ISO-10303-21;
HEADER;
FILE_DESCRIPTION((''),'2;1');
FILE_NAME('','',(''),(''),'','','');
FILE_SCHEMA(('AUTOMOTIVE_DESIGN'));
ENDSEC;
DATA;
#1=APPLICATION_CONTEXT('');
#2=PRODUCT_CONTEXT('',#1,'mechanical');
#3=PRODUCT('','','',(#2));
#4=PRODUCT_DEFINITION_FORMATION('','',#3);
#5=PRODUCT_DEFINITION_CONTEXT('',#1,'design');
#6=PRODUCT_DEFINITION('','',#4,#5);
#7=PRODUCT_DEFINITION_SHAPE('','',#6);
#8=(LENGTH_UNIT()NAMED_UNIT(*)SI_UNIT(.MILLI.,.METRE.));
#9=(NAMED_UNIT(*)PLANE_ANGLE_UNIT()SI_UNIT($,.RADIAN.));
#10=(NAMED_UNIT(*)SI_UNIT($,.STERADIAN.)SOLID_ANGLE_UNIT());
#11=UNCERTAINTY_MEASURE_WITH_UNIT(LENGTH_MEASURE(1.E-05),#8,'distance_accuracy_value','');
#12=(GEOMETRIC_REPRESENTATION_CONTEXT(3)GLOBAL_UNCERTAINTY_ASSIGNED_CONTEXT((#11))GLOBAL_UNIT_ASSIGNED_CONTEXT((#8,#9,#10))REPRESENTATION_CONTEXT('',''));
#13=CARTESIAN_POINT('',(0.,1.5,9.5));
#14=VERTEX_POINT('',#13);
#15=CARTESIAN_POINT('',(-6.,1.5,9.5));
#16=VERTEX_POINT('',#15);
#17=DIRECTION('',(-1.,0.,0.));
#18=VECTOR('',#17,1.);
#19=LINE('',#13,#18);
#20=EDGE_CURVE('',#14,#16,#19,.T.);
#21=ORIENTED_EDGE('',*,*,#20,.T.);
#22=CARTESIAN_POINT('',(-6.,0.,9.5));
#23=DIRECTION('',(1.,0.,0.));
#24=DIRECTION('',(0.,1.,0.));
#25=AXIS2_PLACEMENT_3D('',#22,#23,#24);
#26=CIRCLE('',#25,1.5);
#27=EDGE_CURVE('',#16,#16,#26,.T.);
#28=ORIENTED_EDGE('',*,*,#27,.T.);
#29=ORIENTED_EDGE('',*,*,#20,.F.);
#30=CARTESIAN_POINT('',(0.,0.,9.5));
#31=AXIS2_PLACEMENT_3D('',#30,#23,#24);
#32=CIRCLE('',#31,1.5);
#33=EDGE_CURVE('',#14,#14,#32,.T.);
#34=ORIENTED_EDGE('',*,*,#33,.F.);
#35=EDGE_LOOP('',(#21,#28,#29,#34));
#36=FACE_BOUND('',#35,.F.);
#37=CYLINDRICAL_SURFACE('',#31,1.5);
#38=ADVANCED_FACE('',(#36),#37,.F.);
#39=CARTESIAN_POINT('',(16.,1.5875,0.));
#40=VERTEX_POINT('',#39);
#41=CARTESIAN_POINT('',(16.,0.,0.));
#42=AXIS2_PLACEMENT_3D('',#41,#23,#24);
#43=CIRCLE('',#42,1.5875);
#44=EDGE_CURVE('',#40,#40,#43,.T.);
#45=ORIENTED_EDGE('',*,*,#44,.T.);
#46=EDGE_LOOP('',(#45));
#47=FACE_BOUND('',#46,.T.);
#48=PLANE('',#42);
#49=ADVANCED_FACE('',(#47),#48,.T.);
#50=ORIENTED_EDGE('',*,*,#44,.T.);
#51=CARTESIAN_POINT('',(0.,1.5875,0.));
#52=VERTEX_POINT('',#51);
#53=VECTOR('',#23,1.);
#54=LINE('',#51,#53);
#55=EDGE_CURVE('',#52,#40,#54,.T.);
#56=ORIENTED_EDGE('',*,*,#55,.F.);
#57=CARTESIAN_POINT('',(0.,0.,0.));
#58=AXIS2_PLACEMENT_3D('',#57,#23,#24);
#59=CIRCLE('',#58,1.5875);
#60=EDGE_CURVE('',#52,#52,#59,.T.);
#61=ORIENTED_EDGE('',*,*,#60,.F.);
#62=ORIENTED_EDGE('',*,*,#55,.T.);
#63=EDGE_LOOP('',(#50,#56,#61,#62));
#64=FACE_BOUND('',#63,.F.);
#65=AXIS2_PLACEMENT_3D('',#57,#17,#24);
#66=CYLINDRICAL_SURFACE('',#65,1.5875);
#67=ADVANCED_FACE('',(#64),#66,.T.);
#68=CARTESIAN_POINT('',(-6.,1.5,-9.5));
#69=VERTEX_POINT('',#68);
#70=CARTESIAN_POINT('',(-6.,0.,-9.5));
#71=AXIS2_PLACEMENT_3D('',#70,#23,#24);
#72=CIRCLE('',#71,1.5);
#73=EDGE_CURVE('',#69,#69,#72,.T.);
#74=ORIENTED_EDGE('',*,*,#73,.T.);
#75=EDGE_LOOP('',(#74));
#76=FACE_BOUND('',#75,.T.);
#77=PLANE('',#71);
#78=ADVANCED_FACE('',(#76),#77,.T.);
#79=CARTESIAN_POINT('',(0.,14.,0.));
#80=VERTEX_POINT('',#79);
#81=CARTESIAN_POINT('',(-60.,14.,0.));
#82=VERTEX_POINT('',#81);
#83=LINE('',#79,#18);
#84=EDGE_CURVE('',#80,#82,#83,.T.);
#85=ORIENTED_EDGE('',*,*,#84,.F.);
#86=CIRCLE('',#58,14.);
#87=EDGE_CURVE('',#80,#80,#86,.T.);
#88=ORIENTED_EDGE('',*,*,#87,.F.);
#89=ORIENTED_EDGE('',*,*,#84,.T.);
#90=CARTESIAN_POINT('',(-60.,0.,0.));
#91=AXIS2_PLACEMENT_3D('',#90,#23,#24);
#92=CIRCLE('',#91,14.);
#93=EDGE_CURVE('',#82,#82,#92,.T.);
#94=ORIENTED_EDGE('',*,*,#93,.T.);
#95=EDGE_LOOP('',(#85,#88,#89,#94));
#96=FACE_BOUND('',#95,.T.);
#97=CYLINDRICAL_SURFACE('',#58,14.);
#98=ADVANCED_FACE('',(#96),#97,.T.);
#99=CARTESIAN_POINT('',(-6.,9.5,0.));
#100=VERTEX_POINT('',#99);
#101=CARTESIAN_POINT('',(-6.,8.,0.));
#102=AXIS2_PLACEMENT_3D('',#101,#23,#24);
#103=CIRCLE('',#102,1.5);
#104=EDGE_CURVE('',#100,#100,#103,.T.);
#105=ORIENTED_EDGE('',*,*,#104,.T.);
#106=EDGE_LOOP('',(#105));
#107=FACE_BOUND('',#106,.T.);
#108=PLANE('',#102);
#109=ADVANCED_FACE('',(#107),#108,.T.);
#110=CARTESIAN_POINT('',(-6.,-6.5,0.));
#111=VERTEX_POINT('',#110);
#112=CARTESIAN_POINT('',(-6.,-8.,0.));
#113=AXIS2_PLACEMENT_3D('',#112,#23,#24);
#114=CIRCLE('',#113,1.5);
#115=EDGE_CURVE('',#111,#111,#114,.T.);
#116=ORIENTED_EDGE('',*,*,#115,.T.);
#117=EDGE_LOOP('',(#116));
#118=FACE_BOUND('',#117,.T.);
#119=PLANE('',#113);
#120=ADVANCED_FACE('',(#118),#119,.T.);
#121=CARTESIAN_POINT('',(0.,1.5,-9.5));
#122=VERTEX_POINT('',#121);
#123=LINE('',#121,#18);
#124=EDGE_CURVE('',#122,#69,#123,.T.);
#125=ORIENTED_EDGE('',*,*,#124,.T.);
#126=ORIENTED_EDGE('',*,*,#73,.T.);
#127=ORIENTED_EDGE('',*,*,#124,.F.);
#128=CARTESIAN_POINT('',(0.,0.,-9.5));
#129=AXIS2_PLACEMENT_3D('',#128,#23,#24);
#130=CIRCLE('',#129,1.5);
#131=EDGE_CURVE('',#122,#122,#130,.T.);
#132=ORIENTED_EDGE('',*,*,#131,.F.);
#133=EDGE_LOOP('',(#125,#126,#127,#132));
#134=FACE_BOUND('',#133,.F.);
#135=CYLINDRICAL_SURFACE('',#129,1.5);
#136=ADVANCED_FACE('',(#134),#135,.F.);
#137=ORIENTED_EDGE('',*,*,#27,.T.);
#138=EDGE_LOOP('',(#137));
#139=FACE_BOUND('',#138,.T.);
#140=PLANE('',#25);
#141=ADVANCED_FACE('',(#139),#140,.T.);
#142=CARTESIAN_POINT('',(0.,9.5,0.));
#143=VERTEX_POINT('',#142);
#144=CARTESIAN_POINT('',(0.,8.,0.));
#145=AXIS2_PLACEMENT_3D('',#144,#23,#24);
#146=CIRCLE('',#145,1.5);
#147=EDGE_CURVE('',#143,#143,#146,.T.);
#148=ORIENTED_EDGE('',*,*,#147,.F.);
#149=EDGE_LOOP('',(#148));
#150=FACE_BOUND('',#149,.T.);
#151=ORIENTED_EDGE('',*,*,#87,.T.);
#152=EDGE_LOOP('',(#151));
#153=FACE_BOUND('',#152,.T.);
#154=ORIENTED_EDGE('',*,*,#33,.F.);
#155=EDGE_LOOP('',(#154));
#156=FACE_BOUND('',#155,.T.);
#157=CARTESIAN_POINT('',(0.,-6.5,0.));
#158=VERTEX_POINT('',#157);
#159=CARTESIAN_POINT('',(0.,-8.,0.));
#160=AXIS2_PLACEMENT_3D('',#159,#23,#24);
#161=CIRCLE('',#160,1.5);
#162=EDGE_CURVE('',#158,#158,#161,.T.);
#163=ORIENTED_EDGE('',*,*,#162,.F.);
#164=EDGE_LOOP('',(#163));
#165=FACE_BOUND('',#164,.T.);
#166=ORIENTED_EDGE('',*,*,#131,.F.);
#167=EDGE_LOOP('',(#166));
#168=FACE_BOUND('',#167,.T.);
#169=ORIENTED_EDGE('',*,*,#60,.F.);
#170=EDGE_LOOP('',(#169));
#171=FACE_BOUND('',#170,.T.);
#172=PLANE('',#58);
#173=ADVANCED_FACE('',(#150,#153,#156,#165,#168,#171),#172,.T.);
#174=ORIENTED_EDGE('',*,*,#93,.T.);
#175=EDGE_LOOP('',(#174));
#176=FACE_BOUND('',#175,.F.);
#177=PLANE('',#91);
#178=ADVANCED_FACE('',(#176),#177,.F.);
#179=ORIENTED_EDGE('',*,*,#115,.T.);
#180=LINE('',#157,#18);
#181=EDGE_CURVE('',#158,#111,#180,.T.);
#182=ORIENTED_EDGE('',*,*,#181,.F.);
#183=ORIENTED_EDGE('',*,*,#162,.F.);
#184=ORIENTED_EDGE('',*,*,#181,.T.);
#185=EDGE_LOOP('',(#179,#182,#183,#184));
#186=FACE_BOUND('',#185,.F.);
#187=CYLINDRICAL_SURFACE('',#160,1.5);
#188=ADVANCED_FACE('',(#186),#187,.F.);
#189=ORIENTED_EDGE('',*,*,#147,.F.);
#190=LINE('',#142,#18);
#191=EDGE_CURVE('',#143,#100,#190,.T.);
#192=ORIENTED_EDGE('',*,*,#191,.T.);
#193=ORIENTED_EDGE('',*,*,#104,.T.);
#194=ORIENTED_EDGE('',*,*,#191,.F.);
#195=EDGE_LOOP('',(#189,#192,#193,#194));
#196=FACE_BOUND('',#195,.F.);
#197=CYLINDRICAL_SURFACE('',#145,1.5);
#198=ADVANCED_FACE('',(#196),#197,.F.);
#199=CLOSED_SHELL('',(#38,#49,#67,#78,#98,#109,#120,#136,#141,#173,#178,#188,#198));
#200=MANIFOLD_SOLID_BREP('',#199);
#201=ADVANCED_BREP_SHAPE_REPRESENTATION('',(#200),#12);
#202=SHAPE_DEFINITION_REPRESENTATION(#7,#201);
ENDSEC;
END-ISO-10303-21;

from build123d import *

# Parameters (mm, degrees)
F0_R     = 14
F1_DEPTH = 60
F2_R     = 1.5875
F3_DEPTH = 16
F4_R     = 1.5
F5_DEPTH = 6


with BuildPart() as f1:
    # F0 (on Right) → F1 (new body)
    with BuildSketch(Plane.YZ):
        Circle(F0_R)
    extrude(amount=-F1_DEPTH)

    # F2 (on face) → F3 (join)
    with BuildSketch(Plane.YZ):
        Circle(F2_R)
    extrude(amount=F3_DEPTH)

    # F4 (on face) → F5 (cut)
    with BuildSketch(Plane.YZ):
        with Locations((0, 9.5)):
            Circle(F4_R)
        with Locations((8, 0)):
            Circle(F4_R)
        with Locations((0, -9.5)):
            Circle(F4_R)
        with Locations((-8, 0)):
            Circle(F4_R)
    extrude(amount=-F5_DEPTH, mode=Mode.SUBTRACT)


solid = f1.part
